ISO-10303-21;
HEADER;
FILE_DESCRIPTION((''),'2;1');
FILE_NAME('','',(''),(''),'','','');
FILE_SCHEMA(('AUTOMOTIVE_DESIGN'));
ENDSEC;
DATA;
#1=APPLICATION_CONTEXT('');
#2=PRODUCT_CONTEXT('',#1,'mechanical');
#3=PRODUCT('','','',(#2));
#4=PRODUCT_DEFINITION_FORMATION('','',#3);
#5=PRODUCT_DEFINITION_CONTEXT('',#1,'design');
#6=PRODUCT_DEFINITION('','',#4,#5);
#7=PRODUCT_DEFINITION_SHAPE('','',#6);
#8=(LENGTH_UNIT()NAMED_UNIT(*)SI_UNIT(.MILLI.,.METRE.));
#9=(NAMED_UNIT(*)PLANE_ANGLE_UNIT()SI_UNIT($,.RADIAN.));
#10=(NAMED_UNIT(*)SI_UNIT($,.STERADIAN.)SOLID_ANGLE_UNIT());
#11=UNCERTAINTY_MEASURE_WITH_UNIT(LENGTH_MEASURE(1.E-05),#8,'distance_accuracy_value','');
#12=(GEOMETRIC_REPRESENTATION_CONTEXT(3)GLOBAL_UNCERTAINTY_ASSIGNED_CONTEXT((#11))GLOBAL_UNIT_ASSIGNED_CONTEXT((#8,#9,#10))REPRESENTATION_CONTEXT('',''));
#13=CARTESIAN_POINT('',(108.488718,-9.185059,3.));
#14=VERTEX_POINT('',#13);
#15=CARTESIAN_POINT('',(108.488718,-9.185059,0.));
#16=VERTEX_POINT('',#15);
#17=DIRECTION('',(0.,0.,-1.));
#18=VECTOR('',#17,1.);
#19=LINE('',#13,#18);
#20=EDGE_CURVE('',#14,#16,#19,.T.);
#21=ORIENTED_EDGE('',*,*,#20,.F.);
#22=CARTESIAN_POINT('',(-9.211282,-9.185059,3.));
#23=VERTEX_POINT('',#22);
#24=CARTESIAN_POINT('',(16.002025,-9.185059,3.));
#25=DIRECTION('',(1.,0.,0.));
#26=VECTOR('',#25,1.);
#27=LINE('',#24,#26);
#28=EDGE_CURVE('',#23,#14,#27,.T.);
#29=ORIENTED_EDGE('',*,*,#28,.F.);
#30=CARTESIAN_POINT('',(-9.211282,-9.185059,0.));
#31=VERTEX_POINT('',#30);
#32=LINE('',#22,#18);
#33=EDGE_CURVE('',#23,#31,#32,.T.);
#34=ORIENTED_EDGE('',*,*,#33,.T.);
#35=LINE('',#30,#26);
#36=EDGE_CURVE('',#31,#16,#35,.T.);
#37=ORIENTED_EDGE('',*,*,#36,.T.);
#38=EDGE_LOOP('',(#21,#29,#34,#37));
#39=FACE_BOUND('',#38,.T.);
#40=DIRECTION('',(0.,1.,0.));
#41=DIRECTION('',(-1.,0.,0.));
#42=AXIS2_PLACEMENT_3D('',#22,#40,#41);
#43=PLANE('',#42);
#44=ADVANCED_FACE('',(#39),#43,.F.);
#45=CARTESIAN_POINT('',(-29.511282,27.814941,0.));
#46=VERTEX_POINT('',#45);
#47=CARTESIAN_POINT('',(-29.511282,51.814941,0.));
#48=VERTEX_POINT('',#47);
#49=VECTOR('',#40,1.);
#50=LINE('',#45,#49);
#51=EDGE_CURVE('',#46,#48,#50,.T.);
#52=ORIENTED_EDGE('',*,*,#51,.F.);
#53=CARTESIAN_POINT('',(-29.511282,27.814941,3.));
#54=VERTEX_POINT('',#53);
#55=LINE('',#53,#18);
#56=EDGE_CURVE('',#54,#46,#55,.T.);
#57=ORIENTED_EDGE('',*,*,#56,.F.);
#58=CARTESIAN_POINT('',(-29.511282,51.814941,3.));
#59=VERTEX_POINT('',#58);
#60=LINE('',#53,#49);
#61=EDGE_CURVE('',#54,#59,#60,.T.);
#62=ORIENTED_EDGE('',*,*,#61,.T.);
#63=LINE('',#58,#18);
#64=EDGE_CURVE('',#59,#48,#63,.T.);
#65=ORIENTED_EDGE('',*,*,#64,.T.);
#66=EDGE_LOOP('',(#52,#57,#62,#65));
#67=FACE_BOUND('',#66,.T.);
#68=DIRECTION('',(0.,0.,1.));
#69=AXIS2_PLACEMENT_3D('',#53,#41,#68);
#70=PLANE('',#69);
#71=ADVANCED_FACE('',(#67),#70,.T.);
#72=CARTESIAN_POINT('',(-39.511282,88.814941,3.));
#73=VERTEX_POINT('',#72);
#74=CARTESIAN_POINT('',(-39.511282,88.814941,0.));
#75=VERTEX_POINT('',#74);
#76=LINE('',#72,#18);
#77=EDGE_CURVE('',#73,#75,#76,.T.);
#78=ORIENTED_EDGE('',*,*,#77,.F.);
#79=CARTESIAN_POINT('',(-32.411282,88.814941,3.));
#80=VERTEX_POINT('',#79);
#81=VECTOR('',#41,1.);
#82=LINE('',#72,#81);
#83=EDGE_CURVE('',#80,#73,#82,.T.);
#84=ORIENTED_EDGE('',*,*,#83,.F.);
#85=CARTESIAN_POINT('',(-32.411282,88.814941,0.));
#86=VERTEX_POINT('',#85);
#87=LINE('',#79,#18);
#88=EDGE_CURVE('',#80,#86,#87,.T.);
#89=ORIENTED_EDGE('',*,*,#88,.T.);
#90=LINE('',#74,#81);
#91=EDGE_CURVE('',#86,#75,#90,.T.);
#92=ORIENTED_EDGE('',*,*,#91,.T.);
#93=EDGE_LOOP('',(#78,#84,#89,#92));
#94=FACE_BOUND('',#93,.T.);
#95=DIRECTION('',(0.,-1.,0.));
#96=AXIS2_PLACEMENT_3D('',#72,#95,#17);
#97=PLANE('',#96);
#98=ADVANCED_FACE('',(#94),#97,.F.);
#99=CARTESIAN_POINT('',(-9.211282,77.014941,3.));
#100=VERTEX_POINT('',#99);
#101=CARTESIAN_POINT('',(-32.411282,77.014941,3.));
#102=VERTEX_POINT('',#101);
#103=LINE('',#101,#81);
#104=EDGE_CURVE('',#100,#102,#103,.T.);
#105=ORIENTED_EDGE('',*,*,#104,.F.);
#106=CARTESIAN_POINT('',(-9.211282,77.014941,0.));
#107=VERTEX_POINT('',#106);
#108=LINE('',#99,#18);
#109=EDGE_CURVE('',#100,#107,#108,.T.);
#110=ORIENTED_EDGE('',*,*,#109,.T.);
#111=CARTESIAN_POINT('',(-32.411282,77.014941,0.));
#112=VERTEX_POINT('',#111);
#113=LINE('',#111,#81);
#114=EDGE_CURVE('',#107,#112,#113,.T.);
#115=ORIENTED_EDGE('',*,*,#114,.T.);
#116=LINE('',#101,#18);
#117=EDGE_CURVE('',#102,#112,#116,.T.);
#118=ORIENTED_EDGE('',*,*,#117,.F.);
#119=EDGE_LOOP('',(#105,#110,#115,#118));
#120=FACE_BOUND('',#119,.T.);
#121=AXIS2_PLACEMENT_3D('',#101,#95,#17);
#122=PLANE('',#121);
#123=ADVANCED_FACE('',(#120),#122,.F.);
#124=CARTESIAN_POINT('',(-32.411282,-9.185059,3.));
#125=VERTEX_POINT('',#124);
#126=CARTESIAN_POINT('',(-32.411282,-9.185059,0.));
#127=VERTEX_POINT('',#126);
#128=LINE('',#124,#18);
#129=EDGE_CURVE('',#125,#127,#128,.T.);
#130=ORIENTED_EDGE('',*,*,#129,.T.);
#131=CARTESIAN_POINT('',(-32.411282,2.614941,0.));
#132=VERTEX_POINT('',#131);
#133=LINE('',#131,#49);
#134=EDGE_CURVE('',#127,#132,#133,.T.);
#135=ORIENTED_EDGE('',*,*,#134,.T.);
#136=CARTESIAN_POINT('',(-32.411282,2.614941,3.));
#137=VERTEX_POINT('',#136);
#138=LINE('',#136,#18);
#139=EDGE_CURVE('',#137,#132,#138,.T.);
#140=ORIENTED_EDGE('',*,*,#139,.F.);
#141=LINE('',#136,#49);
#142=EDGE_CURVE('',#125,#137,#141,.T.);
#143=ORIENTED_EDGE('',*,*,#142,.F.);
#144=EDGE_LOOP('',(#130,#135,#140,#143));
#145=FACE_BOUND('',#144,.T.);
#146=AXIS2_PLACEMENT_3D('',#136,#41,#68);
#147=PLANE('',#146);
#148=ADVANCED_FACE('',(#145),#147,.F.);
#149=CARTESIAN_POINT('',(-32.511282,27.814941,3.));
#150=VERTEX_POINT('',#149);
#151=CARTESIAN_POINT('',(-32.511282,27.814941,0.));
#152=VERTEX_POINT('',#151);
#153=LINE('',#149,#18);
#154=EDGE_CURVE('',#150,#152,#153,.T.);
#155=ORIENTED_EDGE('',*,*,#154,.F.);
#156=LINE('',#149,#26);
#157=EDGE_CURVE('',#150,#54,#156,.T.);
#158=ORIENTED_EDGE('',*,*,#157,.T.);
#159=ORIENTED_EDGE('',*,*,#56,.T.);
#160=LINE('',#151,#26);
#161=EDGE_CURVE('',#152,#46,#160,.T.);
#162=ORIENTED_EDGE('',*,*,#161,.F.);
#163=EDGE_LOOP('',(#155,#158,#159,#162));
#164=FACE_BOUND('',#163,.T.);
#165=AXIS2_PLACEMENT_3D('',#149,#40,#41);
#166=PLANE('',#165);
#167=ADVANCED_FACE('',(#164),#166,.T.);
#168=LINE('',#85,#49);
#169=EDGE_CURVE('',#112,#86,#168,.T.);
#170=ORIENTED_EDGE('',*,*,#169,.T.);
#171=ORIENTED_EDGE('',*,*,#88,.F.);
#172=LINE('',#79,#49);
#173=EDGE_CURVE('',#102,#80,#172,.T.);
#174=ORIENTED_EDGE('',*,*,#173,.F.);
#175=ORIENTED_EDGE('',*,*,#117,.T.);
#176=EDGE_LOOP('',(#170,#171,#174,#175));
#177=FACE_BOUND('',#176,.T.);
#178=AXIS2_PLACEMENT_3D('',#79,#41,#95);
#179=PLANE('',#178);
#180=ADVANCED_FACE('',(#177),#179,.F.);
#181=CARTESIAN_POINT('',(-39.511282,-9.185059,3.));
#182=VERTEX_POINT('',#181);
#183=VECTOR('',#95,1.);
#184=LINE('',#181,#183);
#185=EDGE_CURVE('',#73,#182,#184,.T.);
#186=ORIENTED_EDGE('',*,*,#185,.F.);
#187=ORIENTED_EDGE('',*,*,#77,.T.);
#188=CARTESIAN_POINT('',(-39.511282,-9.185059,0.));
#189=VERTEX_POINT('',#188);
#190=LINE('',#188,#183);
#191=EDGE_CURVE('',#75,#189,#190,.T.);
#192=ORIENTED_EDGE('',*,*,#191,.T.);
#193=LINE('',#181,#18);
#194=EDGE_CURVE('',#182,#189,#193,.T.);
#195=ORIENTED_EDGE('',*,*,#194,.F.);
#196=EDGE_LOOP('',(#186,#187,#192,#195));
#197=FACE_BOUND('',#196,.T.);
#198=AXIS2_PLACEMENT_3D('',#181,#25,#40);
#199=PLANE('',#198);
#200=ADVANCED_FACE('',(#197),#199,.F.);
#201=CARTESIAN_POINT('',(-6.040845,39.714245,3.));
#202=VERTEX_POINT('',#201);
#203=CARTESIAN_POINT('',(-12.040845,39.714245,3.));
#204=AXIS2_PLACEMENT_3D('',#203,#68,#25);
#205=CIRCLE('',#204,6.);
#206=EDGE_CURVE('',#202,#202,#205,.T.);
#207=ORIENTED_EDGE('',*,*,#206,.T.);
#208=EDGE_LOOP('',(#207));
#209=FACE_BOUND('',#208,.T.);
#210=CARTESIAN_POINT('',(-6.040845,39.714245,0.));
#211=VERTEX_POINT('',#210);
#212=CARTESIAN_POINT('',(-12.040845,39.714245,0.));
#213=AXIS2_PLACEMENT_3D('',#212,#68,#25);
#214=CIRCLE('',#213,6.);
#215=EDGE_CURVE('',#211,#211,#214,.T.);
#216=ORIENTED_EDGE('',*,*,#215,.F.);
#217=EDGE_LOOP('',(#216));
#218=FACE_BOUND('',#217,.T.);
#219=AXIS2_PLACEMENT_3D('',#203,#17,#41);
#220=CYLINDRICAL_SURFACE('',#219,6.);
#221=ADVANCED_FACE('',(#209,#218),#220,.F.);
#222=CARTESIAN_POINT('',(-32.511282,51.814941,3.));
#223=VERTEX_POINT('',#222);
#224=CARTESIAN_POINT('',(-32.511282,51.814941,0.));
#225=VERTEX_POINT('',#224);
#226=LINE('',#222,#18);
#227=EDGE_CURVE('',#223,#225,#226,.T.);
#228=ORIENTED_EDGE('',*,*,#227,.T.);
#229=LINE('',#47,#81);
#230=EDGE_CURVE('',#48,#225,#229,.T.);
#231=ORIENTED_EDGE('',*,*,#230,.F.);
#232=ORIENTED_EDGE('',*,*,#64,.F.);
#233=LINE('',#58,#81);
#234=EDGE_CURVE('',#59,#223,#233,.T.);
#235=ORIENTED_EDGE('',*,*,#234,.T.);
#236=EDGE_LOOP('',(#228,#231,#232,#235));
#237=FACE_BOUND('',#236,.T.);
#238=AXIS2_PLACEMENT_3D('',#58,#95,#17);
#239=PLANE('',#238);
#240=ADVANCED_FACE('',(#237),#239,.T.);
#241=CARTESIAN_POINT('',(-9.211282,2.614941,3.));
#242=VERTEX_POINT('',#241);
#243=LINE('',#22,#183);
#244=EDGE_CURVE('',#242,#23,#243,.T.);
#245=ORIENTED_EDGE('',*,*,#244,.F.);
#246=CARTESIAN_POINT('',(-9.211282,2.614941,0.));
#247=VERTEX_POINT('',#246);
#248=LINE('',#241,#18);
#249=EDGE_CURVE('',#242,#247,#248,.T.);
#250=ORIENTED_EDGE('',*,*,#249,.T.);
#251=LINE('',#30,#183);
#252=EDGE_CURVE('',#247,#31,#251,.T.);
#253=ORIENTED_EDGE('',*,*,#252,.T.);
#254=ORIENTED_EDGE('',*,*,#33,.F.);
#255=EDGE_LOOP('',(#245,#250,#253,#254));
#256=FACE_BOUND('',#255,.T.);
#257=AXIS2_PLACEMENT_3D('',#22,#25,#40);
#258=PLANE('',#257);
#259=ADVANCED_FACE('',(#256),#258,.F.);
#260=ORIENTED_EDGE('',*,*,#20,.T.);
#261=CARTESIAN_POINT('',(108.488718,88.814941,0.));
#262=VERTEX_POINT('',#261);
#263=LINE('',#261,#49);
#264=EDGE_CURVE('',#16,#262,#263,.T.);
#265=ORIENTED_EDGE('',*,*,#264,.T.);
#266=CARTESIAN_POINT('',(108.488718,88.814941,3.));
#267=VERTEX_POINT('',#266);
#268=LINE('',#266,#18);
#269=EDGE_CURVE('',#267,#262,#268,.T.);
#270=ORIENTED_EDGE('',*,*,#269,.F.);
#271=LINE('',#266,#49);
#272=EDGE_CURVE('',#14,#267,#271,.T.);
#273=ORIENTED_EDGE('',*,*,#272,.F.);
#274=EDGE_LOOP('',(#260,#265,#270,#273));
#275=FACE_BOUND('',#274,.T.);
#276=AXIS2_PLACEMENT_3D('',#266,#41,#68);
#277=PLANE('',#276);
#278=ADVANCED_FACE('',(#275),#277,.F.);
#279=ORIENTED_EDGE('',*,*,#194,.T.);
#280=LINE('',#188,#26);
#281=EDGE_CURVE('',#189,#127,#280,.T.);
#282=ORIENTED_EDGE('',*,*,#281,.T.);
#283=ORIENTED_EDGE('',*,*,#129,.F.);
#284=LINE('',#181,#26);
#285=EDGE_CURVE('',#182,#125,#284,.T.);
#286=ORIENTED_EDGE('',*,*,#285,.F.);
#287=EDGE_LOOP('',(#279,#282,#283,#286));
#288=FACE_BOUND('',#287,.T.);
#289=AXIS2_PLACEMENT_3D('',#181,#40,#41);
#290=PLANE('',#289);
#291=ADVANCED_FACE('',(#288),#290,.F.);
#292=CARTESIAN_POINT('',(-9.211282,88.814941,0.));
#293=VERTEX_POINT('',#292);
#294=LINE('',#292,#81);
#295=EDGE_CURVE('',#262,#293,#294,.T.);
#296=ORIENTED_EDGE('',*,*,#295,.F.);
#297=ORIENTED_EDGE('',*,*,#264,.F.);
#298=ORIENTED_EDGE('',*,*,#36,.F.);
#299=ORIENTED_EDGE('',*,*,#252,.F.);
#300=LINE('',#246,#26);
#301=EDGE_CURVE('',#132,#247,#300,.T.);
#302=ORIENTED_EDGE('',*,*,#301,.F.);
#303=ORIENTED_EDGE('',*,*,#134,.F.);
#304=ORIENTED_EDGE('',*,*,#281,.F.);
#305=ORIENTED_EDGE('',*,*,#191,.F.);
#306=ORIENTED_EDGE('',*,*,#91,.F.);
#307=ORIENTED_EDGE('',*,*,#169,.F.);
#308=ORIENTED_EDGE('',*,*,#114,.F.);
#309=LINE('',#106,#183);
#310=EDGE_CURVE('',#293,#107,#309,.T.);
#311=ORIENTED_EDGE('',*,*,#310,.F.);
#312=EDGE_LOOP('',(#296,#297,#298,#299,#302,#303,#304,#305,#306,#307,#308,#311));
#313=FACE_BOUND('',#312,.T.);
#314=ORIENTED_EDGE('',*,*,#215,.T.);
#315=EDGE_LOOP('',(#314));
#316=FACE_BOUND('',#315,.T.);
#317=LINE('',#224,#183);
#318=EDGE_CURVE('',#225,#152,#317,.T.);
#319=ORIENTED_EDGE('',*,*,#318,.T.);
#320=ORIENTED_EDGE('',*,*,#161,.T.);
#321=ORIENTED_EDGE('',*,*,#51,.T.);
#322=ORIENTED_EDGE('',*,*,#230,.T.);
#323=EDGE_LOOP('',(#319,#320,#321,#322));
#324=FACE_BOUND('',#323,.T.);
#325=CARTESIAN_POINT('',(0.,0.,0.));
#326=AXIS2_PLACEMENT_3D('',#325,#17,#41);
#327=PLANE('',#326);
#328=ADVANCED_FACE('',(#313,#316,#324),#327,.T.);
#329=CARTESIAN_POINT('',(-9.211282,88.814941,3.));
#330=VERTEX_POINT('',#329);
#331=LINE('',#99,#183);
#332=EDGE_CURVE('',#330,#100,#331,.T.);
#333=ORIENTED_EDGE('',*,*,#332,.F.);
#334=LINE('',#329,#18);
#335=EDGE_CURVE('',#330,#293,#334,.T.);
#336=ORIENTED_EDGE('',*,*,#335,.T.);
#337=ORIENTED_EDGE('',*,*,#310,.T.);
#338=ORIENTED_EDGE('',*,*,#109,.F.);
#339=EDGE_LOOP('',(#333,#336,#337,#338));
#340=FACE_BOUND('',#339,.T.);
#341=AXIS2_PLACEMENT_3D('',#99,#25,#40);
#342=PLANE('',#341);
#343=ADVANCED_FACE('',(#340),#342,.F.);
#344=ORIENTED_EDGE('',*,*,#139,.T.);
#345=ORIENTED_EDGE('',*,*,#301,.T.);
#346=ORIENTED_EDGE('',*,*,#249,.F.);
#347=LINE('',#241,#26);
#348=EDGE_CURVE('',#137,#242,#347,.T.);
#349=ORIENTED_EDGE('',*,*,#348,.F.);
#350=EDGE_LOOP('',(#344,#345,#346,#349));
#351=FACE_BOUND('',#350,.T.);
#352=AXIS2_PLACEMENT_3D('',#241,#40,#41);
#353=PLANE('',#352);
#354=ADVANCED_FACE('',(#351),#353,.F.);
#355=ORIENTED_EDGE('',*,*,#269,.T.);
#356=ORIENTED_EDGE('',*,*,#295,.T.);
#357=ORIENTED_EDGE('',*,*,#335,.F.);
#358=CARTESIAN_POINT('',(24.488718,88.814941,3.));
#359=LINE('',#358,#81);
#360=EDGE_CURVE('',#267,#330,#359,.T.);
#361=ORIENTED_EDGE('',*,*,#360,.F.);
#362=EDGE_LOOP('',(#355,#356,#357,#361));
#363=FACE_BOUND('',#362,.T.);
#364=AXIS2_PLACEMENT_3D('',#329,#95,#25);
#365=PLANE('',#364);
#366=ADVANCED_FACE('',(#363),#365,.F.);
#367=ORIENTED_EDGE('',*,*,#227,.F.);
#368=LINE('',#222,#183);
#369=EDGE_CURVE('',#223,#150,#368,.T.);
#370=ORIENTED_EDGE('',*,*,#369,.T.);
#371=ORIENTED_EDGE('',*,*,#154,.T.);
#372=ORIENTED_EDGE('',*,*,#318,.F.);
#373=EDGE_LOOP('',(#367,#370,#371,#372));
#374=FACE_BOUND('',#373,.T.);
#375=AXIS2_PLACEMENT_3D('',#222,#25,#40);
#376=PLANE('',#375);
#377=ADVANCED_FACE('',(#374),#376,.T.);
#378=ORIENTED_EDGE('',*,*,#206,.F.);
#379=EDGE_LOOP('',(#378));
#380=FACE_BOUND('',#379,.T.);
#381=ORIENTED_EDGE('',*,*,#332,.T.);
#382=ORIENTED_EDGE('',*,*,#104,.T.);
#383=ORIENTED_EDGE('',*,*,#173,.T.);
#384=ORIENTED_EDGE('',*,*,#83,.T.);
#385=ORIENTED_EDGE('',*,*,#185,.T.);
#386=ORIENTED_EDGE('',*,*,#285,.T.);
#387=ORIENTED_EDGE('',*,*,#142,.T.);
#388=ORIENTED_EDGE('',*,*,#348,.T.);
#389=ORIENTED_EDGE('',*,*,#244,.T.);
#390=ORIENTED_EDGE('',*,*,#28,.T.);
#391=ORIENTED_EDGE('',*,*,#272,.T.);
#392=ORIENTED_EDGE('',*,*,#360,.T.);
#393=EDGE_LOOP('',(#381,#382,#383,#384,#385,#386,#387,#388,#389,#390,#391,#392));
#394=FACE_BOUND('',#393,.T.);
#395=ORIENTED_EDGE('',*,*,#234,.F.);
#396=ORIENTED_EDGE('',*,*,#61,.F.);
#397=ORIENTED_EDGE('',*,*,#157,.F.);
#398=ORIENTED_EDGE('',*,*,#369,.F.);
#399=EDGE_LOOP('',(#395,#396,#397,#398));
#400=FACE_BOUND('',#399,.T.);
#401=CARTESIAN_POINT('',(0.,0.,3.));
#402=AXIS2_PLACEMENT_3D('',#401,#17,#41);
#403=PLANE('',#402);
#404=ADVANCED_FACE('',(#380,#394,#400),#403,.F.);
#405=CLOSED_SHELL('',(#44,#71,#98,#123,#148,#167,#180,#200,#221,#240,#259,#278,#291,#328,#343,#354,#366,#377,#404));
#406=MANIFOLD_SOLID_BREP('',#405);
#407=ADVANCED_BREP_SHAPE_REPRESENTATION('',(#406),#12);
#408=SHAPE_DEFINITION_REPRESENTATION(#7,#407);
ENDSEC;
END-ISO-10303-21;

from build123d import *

# Parameters (mm, degrees)
MODEL_R                 = 6
MODEL_W                 = 3
MODEL_H                 = 24
SALIENTE_EXTRUIR2_DEPTH = 3


with BuildPart() as part:
    # Model → Saliente-Extruir2 (new body)
    with BuildSketch(Plane.XY):
        Polygon((-39.51128192, -9.185059482), (-32.41128192, -9.185059482), (-32.41128192, 2.614940518), (-9.21128192, 2.614940518), (-9.21128192, -9.185059482), (16.002025332, -9.185059482), (50.517196398, -9.185059482), (78.48871808, -9.185059482), (89.48871808, -9.185059482), (96.48871808, -9.185059482), (103.48871808, -9.185059482), (108.48871808, -9.185059482), (108.48871808, 88.814940518), (24.48871808, 88.814940518), (2.28871808, 88.814940518), (-0.51128192, 88.814940518), (-1.51128192, 88.814940518), (-9.21128192, 88.814940518), (-9.21128192, 77.014940518), (-32.41128192, 77.014940518), (-32.41128192, 88.814940518), (-39.51128192, 88.814940518), align=None)
        with Locations((-12.040844912, 39.714244751)):
            Circle(MODEL_R, mode=Mode.SUBTRACT)
        with Locations((-31.01128192, 39.814940518)):
            Rectangle(MODEL_W, MODEL_H, mode=Mode.SUBTRACT)
    extrude(amount=SALIENTE_EXTRUIR2_DEPTH)


solid = part.part
